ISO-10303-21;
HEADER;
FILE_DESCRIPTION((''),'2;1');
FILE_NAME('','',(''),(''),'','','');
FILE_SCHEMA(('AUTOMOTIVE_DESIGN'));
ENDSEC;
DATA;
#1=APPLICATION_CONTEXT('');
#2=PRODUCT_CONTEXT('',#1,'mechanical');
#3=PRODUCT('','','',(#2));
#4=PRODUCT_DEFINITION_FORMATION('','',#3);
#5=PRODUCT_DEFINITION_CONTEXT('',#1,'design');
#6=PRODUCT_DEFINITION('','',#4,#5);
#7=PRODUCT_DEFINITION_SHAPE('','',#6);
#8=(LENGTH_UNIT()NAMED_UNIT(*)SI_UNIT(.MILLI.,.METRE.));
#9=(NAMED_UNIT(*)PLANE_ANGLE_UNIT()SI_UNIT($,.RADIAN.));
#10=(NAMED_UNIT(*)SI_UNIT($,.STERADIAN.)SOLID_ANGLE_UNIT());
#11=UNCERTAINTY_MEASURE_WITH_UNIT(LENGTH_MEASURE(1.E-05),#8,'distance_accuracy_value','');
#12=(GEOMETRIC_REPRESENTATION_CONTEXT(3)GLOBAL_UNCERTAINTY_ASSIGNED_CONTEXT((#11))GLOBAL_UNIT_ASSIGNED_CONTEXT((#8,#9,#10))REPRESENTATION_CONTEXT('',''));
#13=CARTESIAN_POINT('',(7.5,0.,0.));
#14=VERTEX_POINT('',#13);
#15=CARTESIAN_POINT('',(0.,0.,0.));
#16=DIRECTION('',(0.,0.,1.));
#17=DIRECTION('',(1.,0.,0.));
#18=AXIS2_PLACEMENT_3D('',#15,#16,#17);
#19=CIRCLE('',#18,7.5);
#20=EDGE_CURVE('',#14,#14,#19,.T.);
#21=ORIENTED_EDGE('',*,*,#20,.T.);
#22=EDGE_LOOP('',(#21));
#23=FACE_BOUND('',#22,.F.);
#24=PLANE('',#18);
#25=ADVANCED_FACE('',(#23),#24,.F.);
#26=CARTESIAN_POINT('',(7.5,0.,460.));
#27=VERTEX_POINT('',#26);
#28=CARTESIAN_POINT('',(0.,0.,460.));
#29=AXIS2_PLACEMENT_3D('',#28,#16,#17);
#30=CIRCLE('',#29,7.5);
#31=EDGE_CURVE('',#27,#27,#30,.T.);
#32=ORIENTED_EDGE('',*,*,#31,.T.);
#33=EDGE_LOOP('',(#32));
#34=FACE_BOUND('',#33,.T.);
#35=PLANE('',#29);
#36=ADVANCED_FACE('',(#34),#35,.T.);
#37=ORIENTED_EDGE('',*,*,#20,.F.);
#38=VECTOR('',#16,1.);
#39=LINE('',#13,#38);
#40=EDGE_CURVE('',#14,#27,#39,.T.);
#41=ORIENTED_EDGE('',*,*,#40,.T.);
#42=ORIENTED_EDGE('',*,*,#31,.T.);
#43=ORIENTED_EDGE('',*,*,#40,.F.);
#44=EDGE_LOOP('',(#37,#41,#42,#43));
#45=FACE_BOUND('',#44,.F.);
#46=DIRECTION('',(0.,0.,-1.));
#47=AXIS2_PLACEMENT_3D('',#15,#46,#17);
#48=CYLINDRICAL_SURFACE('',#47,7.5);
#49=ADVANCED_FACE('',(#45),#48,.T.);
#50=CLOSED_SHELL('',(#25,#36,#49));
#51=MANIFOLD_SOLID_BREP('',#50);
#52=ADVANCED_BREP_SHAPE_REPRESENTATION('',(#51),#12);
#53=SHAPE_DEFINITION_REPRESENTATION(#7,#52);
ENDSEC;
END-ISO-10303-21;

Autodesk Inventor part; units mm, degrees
ref_plane "YZ Plane" through (0, 0, 0) normal (1, 0, 0) x (0, 1, 0)
ref_plane "XZ Plane" through (0, 0, 0) normal (0, 1, 0) x (-1, 0, 0)
ref_plane "XY Plane" through (0, 0, 0) normal (0, 0, 1) x (1, 0, 0)
sketch "Sketch1" plane through (0, 0, 0) normal (0, 0, 1) x (1, 0, 0)
  circle A0 centre (0, 0) radius 7.5
  dimension "d0" = 15
extrude "Extrusion1" add sketch "Sketch1" along normal blind 460
properties part number "support rod"
